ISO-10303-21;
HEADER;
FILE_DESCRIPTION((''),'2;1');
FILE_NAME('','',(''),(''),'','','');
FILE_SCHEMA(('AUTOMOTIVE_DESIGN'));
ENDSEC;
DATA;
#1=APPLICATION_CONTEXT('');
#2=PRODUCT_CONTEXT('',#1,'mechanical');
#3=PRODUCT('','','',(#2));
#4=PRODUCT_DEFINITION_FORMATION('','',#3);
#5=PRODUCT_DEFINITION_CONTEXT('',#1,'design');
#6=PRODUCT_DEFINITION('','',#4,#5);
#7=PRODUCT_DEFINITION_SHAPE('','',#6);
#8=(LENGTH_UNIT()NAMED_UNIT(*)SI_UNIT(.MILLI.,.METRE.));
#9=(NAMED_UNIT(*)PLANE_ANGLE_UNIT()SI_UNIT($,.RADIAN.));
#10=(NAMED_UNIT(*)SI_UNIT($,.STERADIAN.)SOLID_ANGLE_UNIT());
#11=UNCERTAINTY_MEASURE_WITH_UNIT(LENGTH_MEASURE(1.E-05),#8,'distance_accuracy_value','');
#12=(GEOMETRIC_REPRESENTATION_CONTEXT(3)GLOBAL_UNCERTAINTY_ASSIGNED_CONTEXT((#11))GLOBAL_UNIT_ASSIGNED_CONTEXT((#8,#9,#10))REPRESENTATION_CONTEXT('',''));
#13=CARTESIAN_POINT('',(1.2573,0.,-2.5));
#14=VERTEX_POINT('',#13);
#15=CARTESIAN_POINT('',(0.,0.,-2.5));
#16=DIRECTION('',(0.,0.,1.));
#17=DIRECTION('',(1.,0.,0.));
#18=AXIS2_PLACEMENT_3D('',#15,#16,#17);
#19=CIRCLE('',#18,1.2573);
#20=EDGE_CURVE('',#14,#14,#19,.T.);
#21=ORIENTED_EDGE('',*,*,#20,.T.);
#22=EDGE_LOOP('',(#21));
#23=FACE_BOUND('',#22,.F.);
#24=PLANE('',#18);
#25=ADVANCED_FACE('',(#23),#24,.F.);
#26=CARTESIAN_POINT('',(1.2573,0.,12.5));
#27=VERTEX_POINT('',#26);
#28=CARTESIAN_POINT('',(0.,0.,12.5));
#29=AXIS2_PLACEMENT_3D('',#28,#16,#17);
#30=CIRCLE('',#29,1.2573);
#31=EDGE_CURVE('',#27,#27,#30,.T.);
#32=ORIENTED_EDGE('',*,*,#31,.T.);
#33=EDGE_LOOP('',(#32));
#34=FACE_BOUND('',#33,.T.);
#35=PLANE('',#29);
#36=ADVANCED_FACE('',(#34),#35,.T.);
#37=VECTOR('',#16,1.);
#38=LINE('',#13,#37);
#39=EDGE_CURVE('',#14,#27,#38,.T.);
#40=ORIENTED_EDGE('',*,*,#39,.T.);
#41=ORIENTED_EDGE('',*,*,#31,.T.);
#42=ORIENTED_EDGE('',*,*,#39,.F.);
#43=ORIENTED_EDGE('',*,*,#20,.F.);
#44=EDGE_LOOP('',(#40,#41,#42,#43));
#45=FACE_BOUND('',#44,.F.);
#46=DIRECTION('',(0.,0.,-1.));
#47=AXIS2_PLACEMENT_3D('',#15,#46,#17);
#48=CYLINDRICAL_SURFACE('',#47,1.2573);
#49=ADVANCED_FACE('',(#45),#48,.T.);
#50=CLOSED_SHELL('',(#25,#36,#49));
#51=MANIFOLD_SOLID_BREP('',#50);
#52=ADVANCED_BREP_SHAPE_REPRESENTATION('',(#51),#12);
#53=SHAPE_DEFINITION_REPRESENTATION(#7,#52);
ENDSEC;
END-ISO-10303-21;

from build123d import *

# Parameters (mm, degrees)
CYLINDER_R     = 1.2573
CYLINDER_DEPTH = 15


with BuildPart() as part:
    # Cylinder → Cylinder (new body)
    with BuildSketch(Plane.XY.offset(-2.5)):
        Circle(CYLINDER_R)
    extrude(amount=CYLINDER_DEPTH)


solid = part.part
